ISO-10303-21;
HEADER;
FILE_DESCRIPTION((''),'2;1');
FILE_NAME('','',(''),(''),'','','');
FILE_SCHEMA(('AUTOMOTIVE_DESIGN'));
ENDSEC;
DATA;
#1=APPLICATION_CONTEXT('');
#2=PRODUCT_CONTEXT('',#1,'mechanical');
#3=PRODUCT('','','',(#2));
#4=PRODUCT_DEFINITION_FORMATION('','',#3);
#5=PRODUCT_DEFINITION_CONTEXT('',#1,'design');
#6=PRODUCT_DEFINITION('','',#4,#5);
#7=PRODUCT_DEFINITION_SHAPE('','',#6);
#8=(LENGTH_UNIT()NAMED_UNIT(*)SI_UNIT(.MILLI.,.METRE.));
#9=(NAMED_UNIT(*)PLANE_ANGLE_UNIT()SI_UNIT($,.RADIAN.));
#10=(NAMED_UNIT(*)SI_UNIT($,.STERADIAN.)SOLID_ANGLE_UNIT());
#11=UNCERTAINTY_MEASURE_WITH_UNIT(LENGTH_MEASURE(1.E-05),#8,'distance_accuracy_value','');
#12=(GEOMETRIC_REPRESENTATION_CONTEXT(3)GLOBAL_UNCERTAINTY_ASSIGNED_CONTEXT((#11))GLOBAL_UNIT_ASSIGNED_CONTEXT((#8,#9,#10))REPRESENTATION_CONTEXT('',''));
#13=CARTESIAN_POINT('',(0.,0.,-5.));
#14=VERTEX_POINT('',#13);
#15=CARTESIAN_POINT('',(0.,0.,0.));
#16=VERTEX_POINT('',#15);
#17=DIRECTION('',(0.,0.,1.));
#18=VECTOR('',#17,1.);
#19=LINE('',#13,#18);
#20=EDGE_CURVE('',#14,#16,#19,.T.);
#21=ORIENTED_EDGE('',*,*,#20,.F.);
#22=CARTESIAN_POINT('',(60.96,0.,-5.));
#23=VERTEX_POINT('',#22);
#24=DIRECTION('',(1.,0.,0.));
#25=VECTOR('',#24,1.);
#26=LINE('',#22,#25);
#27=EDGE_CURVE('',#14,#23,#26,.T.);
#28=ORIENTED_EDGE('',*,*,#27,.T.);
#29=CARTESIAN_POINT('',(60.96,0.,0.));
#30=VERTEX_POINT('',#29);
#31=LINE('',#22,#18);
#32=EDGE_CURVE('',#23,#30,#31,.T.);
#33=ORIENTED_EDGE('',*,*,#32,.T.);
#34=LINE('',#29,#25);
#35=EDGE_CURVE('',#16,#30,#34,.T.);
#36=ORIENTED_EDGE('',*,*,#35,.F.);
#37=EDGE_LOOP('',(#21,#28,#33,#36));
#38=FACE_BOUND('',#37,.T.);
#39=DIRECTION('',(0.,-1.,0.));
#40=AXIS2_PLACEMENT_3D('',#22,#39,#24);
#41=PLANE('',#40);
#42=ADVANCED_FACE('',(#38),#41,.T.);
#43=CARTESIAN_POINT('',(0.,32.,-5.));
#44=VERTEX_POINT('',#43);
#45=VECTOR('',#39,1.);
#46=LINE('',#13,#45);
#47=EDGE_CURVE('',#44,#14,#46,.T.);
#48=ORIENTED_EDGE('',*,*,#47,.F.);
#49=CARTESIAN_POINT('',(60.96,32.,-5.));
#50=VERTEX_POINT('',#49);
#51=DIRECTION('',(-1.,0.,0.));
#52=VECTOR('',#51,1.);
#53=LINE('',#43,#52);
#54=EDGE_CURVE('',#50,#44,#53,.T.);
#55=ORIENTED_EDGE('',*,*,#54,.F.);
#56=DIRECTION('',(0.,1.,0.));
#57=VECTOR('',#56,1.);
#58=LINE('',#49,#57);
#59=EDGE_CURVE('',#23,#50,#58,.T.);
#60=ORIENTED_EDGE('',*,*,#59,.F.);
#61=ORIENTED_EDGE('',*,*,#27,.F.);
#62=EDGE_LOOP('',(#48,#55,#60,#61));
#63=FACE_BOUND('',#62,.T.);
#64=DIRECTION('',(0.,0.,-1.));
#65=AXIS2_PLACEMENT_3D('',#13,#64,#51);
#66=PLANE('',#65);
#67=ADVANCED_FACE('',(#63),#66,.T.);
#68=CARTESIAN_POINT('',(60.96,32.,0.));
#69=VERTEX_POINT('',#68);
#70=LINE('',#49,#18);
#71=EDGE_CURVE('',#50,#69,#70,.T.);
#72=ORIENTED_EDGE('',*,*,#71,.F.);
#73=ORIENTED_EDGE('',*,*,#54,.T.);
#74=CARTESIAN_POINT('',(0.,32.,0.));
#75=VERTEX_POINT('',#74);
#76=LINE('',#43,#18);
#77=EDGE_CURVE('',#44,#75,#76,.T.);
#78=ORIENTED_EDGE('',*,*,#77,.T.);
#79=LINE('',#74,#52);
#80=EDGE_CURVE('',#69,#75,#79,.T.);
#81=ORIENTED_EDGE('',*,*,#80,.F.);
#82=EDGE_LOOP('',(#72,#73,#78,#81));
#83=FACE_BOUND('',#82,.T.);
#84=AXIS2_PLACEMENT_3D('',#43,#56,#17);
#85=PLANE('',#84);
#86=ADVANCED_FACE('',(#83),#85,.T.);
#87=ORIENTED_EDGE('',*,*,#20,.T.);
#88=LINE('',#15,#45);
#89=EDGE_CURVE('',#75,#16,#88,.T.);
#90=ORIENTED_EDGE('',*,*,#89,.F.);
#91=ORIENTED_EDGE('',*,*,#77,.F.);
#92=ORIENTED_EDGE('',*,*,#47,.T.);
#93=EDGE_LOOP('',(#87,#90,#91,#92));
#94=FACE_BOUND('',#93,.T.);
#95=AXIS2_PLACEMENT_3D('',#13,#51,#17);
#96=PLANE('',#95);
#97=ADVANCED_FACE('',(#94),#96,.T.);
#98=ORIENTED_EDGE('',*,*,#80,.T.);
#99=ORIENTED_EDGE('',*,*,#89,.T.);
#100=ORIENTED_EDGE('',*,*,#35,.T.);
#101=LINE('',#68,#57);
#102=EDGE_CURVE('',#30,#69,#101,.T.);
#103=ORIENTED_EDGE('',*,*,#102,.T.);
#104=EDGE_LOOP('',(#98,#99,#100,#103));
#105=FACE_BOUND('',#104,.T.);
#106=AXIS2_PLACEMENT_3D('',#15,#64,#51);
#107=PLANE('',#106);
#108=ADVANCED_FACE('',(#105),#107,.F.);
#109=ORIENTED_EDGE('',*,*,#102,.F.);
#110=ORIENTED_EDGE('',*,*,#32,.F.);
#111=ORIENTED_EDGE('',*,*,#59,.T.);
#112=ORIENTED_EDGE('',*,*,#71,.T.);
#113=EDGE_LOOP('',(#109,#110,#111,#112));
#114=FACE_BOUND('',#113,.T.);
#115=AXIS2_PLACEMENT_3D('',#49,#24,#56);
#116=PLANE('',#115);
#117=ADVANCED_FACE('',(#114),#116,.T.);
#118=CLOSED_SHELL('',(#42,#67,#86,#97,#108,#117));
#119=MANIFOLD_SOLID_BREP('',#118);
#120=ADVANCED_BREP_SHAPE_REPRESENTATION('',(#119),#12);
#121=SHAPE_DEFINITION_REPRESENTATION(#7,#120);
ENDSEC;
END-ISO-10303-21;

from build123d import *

# Parameters (mm, degrees)
SKETCH1_W           = 60.96
SKETCH1_H           = 32
BOSS_EXTRUDE1_DEPTH = 5


with BuildPart() as part:
    # Sketch1 → Boss-Extrude1 (new body)
    with BuildSketch(Plane.XY):
        with Locations((30.48, 16)):
            Rectangle(SKETCH1_W, SKETCH1_H)
    extrude(amount=-BOSS_EXTRUDE1_DEPTH)


solid = part.part
